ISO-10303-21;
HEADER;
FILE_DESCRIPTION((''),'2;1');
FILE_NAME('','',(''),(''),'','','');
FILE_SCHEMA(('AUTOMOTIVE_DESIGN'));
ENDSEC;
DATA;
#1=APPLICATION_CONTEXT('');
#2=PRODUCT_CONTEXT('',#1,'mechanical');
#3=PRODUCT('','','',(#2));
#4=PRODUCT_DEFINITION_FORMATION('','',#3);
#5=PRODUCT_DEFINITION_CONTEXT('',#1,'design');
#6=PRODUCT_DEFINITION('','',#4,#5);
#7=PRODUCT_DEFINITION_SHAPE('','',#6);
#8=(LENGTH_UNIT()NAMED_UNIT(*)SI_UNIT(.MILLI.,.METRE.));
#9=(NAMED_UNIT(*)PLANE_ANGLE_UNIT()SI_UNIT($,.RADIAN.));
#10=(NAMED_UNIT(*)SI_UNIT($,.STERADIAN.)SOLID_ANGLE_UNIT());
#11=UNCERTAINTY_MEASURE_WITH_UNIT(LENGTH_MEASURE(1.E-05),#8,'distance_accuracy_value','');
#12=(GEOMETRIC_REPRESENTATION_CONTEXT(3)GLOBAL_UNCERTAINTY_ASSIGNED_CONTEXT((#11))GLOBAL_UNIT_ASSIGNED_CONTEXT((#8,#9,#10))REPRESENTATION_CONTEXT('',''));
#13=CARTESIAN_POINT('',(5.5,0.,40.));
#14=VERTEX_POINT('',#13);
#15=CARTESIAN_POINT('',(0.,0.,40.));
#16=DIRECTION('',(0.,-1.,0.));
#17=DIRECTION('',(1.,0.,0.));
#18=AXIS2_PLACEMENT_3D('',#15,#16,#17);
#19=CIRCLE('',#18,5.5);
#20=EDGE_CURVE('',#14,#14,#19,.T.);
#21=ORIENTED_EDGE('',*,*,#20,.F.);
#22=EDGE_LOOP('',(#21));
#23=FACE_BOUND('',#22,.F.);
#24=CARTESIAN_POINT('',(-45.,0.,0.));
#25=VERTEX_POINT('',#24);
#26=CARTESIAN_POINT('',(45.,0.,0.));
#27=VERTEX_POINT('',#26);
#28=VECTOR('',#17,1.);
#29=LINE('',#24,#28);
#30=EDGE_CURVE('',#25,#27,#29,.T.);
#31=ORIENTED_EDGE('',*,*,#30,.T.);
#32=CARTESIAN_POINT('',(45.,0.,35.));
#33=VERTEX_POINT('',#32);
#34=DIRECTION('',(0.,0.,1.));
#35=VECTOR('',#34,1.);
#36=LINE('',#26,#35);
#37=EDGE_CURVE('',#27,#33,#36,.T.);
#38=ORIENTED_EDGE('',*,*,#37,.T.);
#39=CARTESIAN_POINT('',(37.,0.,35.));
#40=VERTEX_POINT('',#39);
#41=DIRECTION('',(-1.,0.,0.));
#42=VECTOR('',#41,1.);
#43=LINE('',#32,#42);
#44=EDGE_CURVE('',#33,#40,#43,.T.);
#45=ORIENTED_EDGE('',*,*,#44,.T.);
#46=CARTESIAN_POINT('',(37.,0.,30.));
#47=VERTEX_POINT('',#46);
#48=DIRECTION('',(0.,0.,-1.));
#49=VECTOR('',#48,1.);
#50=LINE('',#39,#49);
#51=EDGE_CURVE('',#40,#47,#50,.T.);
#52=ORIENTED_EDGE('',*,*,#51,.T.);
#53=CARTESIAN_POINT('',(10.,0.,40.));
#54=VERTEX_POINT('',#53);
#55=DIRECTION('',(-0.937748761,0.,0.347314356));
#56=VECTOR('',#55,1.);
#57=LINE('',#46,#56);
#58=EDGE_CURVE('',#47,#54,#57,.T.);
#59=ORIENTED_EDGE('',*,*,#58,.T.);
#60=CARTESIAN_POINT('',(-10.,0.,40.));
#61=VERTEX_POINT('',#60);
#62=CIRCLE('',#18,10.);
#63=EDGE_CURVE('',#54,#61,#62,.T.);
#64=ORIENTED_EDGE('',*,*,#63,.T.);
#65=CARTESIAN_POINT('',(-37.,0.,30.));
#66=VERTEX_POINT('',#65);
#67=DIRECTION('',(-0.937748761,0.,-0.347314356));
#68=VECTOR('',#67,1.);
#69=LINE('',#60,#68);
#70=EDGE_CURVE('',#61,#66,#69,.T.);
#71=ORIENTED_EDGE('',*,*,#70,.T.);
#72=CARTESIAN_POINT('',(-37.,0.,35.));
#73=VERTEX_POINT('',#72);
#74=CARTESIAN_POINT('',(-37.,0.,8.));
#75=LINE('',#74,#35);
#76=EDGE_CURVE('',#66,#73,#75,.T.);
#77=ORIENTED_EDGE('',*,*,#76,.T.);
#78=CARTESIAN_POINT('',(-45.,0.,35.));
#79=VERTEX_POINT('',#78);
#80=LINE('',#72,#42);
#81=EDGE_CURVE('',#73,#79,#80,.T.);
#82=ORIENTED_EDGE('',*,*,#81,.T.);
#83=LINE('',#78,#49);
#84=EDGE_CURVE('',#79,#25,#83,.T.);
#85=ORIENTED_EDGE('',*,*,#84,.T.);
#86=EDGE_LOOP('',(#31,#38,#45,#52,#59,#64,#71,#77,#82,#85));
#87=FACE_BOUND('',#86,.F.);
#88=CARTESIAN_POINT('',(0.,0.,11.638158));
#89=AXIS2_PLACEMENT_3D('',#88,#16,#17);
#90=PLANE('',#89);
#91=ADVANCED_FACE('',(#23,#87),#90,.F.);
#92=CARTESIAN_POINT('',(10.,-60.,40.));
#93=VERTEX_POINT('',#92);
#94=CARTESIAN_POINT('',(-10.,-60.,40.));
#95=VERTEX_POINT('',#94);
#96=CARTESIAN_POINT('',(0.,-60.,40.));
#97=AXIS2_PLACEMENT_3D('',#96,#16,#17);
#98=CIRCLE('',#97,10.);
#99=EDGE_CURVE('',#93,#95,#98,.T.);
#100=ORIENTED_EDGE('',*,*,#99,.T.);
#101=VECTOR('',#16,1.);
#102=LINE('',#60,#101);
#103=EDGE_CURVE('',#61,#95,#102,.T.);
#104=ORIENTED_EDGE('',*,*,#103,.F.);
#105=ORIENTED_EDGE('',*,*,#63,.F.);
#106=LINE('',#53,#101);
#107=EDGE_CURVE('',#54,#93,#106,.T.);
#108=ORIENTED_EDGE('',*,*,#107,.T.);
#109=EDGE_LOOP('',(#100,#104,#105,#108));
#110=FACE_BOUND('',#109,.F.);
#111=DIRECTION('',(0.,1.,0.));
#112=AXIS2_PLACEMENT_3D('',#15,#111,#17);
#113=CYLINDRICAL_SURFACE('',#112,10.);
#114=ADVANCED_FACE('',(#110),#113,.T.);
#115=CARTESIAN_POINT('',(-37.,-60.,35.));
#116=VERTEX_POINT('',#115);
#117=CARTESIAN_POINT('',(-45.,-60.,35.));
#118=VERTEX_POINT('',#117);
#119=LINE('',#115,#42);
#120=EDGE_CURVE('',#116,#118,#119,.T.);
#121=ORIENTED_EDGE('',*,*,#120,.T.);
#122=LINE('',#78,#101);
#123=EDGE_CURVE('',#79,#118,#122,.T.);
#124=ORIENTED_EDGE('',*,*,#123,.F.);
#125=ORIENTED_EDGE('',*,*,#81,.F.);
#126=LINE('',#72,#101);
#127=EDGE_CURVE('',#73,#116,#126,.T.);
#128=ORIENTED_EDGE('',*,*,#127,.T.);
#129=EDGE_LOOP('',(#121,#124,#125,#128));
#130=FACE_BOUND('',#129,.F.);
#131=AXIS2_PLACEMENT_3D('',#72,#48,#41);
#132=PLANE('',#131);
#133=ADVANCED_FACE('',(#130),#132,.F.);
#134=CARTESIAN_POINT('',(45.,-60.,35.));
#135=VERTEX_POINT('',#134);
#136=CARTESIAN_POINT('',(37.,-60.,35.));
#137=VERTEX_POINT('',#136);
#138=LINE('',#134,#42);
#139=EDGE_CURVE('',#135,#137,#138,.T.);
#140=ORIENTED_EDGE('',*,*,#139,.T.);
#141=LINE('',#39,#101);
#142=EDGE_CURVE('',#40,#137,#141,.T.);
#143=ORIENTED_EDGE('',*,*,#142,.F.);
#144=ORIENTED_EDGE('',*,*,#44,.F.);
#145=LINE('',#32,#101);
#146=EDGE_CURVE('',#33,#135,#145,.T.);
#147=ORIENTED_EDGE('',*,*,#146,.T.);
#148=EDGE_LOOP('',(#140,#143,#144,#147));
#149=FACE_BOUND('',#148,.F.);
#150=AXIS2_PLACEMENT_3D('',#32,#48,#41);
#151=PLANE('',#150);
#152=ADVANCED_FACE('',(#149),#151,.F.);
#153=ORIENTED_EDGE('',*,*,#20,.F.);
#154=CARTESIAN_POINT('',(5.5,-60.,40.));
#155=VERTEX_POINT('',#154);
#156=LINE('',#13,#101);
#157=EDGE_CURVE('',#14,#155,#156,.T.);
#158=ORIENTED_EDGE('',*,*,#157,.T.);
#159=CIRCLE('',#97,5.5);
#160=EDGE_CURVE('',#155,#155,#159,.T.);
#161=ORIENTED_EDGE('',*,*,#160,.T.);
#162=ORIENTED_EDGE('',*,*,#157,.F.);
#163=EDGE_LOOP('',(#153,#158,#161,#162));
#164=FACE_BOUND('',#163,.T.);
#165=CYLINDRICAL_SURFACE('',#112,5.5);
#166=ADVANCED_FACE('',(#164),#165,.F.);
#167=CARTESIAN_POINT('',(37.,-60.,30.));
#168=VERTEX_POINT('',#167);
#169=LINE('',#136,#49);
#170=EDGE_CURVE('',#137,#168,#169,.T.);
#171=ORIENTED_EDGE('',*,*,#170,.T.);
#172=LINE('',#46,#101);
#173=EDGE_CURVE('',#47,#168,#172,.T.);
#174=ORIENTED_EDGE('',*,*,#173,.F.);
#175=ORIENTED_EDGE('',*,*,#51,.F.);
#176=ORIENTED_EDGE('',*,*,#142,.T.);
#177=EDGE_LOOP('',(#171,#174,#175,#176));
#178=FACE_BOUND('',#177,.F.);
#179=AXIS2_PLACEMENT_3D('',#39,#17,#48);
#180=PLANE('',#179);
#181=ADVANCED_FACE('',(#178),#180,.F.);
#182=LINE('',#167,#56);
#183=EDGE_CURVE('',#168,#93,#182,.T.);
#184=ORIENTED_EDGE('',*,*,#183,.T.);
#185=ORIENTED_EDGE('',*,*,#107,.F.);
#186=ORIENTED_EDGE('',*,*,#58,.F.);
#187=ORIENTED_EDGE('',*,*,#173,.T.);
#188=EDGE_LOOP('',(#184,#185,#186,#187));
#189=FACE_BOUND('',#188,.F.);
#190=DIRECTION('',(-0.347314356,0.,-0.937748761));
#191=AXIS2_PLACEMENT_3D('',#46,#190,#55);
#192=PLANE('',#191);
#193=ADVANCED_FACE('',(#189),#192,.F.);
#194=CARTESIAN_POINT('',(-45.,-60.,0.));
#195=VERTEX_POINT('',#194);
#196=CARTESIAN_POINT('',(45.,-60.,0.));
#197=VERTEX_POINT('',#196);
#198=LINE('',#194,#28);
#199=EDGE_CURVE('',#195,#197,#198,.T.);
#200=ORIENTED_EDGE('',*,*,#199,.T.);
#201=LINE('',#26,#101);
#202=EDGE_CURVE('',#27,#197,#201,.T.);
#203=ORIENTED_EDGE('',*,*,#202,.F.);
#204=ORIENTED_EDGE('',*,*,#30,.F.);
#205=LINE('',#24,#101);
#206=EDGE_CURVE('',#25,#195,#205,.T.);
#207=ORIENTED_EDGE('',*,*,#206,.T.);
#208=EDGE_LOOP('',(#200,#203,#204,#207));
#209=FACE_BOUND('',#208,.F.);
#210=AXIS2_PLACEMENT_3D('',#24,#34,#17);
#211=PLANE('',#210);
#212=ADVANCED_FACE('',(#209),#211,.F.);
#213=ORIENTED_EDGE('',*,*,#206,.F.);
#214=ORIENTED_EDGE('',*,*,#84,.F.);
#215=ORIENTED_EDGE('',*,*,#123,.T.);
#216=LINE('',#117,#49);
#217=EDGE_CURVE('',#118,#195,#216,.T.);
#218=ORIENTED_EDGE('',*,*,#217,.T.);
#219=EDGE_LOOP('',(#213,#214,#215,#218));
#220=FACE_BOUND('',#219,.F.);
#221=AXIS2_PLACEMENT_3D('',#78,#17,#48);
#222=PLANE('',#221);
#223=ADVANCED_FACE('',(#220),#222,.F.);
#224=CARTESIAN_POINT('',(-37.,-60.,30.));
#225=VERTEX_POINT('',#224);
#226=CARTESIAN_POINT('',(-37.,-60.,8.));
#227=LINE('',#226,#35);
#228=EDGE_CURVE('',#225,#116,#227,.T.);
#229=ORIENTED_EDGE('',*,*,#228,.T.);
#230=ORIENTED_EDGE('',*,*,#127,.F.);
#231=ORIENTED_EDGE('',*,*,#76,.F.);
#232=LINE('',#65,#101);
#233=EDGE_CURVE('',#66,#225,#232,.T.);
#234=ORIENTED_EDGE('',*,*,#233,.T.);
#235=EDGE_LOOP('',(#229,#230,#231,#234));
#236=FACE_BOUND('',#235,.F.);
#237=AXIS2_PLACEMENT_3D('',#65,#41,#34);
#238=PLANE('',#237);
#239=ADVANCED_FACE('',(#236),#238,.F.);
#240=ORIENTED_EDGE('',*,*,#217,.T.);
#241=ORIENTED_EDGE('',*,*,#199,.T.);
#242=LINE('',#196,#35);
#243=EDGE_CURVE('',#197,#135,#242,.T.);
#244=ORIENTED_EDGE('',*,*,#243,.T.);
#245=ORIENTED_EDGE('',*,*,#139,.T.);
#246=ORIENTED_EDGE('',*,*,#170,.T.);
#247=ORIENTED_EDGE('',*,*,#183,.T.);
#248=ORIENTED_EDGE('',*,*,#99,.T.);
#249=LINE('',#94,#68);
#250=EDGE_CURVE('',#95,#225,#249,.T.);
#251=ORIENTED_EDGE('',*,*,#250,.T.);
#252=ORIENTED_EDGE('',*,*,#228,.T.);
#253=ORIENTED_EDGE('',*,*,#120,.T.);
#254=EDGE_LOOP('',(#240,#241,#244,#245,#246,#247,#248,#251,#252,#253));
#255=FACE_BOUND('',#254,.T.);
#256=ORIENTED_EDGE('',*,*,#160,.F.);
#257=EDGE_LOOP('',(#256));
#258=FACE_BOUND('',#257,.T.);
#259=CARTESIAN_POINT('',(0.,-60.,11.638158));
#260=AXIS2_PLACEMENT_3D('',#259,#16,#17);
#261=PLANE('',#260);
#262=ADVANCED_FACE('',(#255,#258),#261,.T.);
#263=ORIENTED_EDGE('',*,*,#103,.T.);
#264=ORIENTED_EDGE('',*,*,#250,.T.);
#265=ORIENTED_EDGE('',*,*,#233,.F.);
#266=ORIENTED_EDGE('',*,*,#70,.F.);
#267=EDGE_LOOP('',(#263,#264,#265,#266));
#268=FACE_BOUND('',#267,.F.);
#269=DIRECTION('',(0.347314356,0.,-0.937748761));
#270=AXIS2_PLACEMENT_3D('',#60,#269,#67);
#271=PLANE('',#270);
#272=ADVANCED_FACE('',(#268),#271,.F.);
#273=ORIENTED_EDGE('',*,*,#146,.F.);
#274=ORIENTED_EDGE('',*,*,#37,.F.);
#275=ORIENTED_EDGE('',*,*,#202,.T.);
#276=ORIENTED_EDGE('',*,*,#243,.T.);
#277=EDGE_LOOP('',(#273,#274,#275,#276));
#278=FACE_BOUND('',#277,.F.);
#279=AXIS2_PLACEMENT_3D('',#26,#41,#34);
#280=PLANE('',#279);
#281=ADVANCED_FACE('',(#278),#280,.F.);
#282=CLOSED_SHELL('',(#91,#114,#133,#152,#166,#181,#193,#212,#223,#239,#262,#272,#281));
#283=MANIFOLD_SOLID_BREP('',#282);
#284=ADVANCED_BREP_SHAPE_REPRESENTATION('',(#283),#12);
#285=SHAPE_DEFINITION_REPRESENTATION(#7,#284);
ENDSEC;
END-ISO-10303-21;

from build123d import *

# Parameters (mm, degrees)
F0_R     = 5.5
F1_DEPTH = 60


with BuildPart() as f1:
    # F0 (on Front) → F1 (new body)
    with BuildSketch(Plane.XZ):
        Polygon((-45, 35), (-45, 0), (0, 0), (45, 0), (45, 35), (37, 35), (37, 30), (37, 8), (4, 8), (-4, 8), (-37, 8), (-37, 30), (-37, 35), align=None)
        with BuildLine():
            Line((-10, 40), (-37, 30))
            Line((-37, 30), (-37, 8))
            Line((-37, 8), (-4, 8))
            Line((-4, 8), (-4, 30.8348486101))
            ThreePointArc((-4, 30.8348486101), (-8.3666002653, 34.5227744249), (-10, 40))
        make_face()
        with BuildLine():
            ThreePointArc((10, 40), (0, 50), (-10, 40))
            ThreePointArc((-10, 40), (-8.3666002653, 34.5227744249), (-4, 30.8348486101))
            Line((-4, 30.8348486101), (-4, 8))
            Line((-4, 8), (4, 8))
            Line((4, 8), (4, 30.8348486101))
            ThreePointArc((4, 30.8348486101), (8.3666002653, 34.5227744249), (10, 40))
        make_face()
        with Locations((0, 40)):
            Circle(F0_R, mode=Mode.SUBTRACT)
        with BuildLine():
            Line((37, 8), (37, 30))
            Line((37, 30), (10, 40))
            ThreePointArc((10, 40), (8.3666002653, 34.5227744249), (4, 30.8348486101))
            Line((4, 30.8348486101), (4, 8))
            Line((4, 8), (37, 8))
        make_face()
    extrude(amount=F1_DEPTH)


solid = f1.part
